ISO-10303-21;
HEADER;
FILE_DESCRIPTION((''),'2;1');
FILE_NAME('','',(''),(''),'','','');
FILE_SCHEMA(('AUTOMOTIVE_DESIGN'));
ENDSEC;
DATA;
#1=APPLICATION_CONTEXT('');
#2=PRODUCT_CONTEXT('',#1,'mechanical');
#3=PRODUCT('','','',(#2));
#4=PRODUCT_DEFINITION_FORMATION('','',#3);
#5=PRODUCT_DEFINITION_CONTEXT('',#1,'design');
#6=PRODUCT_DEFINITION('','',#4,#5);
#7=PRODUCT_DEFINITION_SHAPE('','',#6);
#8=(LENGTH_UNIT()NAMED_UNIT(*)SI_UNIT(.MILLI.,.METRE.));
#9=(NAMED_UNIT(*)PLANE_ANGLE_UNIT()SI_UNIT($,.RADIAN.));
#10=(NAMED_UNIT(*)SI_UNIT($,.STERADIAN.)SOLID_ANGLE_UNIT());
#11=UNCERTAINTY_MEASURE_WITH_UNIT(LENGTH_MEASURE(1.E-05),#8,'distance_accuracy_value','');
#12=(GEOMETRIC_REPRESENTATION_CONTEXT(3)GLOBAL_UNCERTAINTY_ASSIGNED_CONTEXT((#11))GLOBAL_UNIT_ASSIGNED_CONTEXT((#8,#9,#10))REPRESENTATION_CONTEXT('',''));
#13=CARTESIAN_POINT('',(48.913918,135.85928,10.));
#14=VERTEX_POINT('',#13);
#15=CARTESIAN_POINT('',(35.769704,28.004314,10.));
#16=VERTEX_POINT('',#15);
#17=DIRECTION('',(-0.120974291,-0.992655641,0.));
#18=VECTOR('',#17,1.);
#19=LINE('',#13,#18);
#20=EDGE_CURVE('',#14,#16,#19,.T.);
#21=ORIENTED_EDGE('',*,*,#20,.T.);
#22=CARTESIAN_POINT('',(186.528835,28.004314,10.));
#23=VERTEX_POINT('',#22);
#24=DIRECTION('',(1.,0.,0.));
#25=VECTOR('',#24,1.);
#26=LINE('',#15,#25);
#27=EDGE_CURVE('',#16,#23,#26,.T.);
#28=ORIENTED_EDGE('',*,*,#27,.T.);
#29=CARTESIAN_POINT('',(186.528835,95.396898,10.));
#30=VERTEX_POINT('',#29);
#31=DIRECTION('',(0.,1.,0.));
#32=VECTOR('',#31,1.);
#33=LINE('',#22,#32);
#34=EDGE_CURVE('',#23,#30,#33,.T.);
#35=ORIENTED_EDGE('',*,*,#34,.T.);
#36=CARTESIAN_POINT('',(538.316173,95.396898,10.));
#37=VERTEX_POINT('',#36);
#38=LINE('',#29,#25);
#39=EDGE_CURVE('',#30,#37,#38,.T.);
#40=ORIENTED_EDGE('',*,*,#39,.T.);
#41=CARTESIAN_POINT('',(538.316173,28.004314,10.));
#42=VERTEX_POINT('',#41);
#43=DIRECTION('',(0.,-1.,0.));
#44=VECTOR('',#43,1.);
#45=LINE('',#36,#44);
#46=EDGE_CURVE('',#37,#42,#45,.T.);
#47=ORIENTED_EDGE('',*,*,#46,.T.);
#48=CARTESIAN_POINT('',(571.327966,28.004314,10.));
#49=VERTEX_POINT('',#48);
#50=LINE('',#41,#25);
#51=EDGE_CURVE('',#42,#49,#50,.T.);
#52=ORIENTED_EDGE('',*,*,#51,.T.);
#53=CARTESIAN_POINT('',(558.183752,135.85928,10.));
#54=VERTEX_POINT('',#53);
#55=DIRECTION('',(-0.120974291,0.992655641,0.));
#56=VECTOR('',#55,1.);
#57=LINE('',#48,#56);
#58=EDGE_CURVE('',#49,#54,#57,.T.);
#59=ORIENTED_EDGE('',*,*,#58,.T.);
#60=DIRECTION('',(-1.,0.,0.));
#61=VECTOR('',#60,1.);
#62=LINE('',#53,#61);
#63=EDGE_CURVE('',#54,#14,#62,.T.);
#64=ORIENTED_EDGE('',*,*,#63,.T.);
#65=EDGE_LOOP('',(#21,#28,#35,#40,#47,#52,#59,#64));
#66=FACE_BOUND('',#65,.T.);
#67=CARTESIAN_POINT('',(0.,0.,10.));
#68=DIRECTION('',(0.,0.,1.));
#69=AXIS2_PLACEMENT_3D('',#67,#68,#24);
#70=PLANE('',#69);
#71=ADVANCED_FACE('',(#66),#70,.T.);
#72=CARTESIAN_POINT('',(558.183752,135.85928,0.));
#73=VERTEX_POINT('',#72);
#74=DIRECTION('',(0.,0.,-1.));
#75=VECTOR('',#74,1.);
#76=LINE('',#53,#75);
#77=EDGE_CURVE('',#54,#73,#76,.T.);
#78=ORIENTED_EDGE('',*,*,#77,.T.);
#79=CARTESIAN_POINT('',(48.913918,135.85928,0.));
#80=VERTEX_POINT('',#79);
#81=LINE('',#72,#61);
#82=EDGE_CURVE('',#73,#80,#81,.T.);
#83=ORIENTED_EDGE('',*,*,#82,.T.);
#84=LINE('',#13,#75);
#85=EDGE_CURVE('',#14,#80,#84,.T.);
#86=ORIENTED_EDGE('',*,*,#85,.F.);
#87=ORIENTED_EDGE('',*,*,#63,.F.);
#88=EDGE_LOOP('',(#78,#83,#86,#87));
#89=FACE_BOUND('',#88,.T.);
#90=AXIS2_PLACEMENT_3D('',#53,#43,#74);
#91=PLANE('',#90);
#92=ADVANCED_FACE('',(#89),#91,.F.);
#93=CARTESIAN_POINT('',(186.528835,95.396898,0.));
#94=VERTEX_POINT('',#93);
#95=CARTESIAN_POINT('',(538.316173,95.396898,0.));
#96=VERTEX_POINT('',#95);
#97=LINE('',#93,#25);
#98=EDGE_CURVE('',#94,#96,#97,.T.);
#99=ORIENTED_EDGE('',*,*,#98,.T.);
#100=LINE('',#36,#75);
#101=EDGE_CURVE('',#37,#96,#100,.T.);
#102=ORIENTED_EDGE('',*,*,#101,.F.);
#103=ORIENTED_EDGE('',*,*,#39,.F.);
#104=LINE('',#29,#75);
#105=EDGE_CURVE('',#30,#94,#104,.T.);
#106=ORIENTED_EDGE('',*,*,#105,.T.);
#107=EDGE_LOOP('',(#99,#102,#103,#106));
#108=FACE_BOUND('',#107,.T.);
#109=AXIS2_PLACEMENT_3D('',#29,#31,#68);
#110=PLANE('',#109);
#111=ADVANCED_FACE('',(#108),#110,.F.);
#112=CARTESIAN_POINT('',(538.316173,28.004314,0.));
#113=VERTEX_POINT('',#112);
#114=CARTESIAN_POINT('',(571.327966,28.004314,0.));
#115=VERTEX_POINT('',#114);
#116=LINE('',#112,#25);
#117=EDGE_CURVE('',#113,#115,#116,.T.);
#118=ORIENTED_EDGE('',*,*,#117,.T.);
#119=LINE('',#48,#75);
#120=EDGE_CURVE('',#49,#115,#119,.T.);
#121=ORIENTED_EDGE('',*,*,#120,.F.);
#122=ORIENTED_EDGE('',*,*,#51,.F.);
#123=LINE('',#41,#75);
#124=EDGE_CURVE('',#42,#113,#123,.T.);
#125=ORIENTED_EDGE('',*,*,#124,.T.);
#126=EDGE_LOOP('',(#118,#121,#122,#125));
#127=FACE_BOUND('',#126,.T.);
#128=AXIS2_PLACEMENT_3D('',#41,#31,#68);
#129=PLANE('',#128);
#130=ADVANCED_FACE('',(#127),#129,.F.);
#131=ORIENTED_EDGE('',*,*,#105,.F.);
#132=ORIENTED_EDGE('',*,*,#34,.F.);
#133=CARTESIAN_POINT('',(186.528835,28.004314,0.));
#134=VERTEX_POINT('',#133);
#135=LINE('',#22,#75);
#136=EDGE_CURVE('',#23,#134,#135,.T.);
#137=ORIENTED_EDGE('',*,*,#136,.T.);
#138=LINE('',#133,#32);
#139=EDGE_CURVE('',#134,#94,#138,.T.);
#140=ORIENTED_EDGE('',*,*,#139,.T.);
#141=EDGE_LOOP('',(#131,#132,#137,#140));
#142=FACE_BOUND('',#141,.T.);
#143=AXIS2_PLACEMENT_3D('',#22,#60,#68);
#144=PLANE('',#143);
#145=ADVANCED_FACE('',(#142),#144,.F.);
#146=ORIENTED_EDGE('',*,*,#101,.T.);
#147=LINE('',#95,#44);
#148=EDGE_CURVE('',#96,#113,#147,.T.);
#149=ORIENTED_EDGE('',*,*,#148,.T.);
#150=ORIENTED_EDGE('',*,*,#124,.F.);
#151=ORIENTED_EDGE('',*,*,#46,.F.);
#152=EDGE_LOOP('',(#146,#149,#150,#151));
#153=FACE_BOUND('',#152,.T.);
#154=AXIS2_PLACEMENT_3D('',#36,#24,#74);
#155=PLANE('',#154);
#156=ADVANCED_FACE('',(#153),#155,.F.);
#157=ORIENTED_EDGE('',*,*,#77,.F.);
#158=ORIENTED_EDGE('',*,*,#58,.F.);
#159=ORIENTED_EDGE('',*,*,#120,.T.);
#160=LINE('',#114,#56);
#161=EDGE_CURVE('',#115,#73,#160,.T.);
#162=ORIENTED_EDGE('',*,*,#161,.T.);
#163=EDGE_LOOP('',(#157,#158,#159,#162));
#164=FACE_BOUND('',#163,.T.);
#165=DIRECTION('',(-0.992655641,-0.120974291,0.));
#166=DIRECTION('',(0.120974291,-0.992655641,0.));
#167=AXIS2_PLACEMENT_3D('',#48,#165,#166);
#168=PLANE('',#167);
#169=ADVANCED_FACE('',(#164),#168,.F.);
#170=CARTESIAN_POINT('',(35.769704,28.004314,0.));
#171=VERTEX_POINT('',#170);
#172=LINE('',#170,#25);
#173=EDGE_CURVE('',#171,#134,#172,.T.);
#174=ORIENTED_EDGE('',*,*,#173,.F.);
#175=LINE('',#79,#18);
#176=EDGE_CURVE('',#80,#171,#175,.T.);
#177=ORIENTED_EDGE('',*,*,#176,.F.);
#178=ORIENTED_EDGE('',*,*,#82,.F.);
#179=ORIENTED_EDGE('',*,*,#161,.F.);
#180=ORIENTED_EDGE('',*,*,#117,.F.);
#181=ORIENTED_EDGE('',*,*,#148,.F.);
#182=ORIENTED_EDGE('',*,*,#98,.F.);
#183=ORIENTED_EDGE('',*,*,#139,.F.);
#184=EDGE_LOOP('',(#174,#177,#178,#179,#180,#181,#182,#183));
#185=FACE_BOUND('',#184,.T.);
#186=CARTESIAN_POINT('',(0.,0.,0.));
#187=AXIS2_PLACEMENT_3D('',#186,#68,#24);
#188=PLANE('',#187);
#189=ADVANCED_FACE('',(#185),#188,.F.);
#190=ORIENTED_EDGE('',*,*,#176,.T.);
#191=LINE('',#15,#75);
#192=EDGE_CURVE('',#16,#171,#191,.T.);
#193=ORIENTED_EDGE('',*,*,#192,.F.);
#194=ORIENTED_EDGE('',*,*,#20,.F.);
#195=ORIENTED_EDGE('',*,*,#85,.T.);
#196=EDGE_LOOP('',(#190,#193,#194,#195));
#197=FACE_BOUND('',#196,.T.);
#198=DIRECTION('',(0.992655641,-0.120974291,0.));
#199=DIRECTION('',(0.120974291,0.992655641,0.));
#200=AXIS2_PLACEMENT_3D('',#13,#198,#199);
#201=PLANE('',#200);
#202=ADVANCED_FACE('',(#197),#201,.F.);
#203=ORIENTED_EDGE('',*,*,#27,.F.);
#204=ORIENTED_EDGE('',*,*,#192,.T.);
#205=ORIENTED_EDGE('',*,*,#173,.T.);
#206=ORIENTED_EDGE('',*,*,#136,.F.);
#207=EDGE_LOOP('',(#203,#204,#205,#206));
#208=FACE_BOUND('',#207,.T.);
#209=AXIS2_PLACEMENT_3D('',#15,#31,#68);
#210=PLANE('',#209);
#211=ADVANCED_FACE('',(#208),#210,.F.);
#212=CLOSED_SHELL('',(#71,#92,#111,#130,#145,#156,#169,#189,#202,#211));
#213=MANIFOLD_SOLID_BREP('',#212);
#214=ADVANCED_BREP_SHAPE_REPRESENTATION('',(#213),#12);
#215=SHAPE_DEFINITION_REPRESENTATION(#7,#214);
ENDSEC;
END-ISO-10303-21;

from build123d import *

# Parameters (mm, degrees)
BOSS_EXTRUDE1_DEPTH = 10


with BuildPart() as part:
    # Model → Boss-Extrude1 (new body)
    with BuildSketch(Plane.XY):
        Polygon((558.183752245, 135.859280427), (48.913918258, 135.859280427), (35.769704369, 28.004314436), (186.528835252, 28.004314436), (186.528835252, 95.396897884), (538.316172773, 95.396897884), (538.316172773, 28.004314436), (571.327966134, 28.004314436), align=None)
    extrude(amount=BOSS_EXTRUDE1_DEPTH)


solid = part.part
